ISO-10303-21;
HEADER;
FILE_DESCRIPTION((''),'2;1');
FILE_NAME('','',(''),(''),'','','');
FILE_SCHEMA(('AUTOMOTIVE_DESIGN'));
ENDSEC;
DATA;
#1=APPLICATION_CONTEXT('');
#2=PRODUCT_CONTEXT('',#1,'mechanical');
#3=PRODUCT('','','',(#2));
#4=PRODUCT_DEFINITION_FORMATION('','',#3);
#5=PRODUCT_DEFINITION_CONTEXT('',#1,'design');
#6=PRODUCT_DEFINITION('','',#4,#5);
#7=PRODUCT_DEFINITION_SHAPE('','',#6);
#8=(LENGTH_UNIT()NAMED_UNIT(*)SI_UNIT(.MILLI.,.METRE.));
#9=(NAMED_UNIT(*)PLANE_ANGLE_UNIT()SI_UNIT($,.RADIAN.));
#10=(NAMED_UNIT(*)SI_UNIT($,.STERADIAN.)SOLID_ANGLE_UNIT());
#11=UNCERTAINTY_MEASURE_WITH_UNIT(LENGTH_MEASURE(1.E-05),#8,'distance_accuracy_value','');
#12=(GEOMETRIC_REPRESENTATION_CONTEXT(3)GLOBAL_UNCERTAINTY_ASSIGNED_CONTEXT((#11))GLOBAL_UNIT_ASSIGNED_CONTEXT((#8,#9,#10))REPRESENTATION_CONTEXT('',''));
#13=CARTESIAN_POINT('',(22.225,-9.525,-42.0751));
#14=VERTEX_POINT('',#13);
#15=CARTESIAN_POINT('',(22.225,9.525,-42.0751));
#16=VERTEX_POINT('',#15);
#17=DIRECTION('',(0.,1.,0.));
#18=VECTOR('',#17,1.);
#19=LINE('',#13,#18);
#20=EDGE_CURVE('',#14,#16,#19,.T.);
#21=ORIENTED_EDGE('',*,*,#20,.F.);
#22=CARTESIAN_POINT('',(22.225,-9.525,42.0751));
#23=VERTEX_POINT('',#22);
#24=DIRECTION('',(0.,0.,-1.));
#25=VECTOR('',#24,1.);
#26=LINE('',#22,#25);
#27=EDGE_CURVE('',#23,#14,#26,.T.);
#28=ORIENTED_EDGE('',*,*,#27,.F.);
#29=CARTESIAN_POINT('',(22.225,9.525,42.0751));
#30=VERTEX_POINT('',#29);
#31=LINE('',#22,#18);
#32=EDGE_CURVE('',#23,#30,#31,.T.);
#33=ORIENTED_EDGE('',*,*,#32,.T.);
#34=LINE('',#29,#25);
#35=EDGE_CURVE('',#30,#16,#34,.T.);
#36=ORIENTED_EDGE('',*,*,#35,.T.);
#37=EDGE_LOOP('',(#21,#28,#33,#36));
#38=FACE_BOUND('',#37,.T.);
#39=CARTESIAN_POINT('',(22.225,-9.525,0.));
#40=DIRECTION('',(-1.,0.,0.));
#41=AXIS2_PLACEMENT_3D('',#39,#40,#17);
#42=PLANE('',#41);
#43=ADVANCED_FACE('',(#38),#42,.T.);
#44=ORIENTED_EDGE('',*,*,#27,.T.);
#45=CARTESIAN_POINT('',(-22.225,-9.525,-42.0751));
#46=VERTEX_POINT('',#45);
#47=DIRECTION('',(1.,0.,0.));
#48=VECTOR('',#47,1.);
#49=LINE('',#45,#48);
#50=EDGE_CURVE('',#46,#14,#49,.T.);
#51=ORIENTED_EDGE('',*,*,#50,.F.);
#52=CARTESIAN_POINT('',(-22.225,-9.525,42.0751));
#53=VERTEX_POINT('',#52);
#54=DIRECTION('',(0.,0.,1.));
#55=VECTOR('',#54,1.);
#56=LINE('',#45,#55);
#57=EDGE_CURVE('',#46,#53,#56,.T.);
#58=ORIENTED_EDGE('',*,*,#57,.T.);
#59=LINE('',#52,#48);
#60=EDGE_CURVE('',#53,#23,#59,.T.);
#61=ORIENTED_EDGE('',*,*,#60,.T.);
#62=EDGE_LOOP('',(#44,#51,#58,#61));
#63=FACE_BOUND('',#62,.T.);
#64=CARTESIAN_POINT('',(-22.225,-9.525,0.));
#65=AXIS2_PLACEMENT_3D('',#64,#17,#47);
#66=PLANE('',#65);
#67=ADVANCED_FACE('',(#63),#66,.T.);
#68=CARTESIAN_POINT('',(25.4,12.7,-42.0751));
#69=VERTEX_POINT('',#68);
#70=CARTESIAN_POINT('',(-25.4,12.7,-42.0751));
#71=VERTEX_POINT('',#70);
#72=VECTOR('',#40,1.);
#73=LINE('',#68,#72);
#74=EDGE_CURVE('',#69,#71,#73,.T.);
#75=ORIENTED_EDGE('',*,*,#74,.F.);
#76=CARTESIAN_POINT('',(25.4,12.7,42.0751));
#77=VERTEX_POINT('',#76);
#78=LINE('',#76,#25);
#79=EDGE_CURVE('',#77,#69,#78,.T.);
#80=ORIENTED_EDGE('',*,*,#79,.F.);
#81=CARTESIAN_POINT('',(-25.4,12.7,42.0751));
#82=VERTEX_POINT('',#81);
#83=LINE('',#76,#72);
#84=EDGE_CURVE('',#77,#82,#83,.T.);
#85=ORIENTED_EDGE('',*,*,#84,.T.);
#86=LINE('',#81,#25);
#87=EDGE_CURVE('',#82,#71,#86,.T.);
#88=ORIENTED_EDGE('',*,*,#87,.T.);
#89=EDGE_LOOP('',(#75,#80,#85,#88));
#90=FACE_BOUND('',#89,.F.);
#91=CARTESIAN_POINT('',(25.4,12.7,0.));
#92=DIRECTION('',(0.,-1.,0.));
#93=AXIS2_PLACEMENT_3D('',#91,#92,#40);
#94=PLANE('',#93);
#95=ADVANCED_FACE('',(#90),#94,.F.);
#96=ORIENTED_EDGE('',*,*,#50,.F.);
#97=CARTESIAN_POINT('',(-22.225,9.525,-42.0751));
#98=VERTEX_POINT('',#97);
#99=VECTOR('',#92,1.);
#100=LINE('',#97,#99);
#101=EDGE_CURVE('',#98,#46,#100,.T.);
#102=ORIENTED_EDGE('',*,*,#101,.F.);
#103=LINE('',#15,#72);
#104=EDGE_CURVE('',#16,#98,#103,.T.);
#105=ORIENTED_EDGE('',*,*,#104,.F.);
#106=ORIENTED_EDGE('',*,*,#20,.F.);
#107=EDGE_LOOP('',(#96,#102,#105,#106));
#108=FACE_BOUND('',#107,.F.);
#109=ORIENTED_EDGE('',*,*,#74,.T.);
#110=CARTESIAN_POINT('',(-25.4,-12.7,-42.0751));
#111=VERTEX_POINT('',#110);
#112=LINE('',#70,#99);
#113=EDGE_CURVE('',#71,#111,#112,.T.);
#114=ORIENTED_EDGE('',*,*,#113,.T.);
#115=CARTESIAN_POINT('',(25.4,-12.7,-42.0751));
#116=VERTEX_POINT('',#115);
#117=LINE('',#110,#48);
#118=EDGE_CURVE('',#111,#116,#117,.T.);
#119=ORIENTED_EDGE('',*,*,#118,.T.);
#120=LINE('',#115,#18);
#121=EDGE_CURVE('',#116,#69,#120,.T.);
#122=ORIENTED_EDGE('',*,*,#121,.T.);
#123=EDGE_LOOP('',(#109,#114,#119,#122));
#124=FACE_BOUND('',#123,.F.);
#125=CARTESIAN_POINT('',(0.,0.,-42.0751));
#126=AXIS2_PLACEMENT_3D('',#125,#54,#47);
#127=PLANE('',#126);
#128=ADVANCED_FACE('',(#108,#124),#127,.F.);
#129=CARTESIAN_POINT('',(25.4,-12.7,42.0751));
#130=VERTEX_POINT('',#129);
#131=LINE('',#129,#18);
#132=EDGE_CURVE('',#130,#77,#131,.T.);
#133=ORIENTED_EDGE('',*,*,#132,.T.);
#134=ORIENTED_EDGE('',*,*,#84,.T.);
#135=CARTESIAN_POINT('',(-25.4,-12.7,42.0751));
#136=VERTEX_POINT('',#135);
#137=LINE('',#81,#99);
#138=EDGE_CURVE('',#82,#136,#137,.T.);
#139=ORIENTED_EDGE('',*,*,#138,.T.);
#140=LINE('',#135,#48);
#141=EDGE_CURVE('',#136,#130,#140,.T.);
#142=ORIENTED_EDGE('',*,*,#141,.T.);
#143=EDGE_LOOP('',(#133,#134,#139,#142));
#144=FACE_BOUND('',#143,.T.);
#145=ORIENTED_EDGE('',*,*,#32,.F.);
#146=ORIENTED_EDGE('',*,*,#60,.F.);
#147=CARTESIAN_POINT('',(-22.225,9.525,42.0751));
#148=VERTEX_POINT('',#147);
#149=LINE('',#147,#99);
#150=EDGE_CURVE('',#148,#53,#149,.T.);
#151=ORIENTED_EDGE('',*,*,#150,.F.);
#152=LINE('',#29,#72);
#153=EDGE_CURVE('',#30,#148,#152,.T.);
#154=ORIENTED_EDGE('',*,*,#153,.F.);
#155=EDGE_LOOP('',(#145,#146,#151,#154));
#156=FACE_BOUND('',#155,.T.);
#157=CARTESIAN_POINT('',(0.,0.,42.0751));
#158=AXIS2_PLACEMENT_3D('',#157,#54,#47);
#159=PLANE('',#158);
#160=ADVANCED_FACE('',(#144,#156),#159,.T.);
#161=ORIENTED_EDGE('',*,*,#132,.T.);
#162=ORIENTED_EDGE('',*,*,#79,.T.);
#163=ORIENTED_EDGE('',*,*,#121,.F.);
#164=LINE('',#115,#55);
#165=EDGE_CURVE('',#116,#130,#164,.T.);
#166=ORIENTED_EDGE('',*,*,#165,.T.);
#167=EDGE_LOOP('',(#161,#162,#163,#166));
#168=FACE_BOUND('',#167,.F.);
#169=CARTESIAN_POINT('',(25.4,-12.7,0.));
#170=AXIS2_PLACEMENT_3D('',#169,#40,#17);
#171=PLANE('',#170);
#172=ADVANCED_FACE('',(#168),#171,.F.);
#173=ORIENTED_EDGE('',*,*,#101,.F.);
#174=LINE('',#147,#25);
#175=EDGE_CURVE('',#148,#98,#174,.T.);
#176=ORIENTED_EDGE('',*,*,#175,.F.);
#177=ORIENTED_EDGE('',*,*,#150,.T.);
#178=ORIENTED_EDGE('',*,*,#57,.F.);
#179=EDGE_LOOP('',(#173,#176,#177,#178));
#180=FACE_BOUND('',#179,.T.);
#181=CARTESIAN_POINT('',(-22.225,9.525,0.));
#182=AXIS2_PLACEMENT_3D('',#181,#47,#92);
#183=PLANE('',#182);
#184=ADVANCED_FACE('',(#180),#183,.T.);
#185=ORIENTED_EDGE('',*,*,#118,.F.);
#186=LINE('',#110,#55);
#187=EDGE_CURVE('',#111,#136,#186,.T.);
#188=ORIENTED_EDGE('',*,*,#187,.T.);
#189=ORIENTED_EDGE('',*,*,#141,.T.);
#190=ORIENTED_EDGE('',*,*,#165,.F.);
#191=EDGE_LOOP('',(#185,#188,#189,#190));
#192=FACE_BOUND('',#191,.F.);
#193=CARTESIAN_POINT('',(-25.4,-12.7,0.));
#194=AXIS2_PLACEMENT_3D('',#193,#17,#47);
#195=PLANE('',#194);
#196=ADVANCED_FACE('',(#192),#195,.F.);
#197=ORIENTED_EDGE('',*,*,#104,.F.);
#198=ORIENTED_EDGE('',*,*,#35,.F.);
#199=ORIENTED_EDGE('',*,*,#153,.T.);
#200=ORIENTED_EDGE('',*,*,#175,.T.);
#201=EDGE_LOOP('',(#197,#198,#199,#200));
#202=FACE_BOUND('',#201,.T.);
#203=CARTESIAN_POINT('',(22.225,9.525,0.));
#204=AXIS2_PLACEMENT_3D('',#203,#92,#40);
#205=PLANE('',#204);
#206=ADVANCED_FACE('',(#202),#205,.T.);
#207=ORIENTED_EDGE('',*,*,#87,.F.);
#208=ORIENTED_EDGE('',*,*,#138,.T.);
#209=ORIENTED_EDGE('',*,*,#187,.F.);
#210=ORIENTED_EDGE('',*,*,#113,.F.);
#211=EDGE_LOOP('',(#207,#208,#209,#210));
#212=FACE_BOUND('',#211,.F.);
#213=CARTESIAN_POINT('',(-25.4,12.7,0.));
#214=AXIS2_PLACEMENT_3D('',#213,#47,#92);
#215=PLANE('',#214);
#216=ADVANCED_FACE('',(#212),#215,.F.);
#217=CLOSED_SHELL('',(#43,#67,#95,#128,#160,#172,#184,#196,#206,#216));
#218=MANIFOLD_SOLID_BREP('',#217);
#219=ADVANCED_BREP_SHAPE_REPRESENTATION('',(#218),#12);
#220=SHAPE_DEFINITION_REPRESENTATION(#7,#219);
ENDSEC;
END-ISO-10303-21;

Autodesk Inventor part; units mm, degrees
ref_plane "YZ Plane" through (0, 0, 0) normal (1, 0, 0) x (0, 1, 0)
ref_plane "XZ Plane" through (0, 0, 0) normal (0, 1, 0) x (-1, 0, 0)
ref_plane "XY Plane" through (0, 0, 0) normal (0, 0, 1) x (1, 0, 0)
sketch "Sketch1" plane through (0, 0, 0) normal (0, 0, 1) x (1, 0, 0)
  line L0 (-25.4, -12.7) -> (25.4, -12.7)
  line L1 (25.4, -12.7) -> (25.4, 12.7)
  line L2 (25.4, 12.7) -> (-25.4, 12.7)
  line L3 (-25.4, 12.7) -> (-25.4, -12.7)
  line L4 (-25.4, -12.7) -> (25.4, 12.7) construction
  line L5 (25.4, -12.7) -> (-25.4, 12.7) construction
  line L6 (-22.225, -9.525) -> (22.225, -9.525)
  line L7 (22.225, -9.525) -> (22.225, 9.525)
  line L8 (22.225, 9.525) -> (-22.225, 9.525)
  line L9 (-22.225, 9.525) -> (-22.225, -9.525)
  line L10 (-22.225, -9.525) -> (22.225, 9.525) construction
  line L11 (22.225, -9.525) -> (-22.225, 9.525) construction
  point P0 (0, 0)
  dimension "d0" = 50.8
  dimension "d1" = 25.4
  dimension "d2" = 44.45
  dimension "d3" = 19.05
extrude "Extrusion1" add sketch "Sketch1" along normal mid plane 84.1502
properties part number "Cannon Spacer"
